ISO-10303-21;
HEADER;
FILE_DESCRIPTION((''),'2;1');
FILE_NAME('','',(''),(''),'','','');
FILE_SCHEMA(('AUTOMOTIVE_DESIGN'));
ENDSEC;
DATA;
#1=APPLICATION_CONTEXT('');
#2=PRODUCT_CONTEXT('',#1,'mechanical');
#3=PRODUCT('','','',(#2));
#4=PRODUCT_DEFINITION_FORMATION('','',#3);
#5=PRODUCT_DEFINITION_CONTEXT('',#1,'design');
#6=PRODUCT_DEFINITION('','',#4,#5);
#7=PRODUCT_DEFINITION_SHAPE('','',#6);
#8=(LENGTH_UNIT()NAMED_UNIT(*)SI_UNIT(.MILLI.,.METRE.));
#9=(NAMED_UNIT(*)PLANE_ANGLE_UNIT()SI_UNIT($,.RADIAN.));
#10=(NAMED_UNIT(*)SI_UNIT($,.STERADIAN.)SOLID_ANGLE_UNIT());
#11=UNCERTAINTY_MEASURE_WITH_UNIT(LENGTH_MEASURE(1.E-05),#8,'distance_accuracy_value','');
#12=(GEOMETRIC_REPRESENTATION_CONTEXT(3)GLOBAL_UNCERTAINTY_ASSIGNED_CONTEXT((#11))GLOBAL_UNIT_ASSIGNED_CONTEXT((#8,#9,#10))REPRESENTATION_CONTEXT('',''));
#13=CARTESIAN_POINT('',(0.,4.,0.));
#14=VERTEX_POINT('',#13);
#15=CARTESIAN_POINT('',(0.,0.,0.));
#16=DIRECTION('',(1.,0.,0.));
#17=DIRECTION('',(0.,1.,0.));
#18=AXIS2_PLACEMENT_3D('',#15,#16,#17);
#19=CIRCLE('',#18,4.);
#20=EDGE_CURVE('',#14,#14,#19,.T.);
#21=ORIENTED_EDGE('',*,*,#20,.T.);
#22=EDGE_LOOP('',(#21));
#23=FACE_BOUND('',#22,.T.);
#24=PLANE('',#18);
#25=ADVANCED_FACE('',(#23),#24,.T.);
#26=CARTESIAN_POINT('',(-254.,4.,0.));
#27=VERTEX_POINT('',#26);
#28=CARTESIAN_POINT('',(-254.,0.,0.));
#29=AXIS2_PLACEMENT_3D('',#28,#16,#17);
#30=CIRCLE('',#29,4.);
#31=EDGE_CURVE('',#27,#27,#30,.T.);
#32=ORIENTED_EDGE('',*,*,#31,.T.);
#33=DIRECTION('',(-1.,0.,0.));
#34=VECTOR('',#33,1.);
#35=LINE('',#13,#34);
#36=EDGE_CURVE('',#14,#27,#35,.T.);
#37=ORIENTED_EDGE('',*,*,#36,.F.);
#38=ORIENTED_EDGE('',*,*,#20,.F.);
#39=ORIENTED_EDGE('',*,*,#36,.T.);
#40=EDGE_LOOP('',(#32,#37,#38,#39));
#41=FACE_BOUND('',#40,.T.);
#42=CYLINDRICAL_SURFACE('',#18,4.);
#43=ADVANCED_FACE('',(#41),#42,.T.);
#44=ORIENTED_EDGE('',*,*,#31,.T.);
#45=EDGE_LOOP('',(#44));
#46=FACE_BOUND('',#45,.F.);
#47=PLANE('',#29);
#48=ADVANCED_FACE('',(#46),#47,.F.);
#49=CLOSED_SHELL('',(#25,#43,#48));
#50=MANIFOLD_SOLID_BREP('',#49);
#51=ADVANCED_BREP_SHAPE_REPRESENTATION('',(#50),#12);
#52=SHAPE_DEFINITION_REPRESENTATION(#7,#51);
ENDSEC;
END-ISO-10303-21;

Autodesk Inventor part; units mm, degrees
ref_plane "YZ Plane" through (0, 0, 0) normal (1, 0, 0) x (0, 1, 0)
ref_plane "XZ Plane" through (0, 0, 0) normal (0, 1, 0) x (-1, 0, 0)
ref_plane "XY Plane" through (0, 0, 0) normal (0, 0, 1) x (1, 0, 0)
sketch "Sketch1" plane through (0, 0, 0) normal (1, 0, 0) x (0, 1, 0)
  circle A0 centre (0, 0) radius 4
  dimension "d0" = 8
extrude "Extrusion1" add sketch "Sketch1" against normal blind 254
thread "Thread1" size "M8x1.25" class "6g" standard "ANSI Metric M Profile" full length
properties part number "CNC-1.1v-X-7-( short thread rod)"
